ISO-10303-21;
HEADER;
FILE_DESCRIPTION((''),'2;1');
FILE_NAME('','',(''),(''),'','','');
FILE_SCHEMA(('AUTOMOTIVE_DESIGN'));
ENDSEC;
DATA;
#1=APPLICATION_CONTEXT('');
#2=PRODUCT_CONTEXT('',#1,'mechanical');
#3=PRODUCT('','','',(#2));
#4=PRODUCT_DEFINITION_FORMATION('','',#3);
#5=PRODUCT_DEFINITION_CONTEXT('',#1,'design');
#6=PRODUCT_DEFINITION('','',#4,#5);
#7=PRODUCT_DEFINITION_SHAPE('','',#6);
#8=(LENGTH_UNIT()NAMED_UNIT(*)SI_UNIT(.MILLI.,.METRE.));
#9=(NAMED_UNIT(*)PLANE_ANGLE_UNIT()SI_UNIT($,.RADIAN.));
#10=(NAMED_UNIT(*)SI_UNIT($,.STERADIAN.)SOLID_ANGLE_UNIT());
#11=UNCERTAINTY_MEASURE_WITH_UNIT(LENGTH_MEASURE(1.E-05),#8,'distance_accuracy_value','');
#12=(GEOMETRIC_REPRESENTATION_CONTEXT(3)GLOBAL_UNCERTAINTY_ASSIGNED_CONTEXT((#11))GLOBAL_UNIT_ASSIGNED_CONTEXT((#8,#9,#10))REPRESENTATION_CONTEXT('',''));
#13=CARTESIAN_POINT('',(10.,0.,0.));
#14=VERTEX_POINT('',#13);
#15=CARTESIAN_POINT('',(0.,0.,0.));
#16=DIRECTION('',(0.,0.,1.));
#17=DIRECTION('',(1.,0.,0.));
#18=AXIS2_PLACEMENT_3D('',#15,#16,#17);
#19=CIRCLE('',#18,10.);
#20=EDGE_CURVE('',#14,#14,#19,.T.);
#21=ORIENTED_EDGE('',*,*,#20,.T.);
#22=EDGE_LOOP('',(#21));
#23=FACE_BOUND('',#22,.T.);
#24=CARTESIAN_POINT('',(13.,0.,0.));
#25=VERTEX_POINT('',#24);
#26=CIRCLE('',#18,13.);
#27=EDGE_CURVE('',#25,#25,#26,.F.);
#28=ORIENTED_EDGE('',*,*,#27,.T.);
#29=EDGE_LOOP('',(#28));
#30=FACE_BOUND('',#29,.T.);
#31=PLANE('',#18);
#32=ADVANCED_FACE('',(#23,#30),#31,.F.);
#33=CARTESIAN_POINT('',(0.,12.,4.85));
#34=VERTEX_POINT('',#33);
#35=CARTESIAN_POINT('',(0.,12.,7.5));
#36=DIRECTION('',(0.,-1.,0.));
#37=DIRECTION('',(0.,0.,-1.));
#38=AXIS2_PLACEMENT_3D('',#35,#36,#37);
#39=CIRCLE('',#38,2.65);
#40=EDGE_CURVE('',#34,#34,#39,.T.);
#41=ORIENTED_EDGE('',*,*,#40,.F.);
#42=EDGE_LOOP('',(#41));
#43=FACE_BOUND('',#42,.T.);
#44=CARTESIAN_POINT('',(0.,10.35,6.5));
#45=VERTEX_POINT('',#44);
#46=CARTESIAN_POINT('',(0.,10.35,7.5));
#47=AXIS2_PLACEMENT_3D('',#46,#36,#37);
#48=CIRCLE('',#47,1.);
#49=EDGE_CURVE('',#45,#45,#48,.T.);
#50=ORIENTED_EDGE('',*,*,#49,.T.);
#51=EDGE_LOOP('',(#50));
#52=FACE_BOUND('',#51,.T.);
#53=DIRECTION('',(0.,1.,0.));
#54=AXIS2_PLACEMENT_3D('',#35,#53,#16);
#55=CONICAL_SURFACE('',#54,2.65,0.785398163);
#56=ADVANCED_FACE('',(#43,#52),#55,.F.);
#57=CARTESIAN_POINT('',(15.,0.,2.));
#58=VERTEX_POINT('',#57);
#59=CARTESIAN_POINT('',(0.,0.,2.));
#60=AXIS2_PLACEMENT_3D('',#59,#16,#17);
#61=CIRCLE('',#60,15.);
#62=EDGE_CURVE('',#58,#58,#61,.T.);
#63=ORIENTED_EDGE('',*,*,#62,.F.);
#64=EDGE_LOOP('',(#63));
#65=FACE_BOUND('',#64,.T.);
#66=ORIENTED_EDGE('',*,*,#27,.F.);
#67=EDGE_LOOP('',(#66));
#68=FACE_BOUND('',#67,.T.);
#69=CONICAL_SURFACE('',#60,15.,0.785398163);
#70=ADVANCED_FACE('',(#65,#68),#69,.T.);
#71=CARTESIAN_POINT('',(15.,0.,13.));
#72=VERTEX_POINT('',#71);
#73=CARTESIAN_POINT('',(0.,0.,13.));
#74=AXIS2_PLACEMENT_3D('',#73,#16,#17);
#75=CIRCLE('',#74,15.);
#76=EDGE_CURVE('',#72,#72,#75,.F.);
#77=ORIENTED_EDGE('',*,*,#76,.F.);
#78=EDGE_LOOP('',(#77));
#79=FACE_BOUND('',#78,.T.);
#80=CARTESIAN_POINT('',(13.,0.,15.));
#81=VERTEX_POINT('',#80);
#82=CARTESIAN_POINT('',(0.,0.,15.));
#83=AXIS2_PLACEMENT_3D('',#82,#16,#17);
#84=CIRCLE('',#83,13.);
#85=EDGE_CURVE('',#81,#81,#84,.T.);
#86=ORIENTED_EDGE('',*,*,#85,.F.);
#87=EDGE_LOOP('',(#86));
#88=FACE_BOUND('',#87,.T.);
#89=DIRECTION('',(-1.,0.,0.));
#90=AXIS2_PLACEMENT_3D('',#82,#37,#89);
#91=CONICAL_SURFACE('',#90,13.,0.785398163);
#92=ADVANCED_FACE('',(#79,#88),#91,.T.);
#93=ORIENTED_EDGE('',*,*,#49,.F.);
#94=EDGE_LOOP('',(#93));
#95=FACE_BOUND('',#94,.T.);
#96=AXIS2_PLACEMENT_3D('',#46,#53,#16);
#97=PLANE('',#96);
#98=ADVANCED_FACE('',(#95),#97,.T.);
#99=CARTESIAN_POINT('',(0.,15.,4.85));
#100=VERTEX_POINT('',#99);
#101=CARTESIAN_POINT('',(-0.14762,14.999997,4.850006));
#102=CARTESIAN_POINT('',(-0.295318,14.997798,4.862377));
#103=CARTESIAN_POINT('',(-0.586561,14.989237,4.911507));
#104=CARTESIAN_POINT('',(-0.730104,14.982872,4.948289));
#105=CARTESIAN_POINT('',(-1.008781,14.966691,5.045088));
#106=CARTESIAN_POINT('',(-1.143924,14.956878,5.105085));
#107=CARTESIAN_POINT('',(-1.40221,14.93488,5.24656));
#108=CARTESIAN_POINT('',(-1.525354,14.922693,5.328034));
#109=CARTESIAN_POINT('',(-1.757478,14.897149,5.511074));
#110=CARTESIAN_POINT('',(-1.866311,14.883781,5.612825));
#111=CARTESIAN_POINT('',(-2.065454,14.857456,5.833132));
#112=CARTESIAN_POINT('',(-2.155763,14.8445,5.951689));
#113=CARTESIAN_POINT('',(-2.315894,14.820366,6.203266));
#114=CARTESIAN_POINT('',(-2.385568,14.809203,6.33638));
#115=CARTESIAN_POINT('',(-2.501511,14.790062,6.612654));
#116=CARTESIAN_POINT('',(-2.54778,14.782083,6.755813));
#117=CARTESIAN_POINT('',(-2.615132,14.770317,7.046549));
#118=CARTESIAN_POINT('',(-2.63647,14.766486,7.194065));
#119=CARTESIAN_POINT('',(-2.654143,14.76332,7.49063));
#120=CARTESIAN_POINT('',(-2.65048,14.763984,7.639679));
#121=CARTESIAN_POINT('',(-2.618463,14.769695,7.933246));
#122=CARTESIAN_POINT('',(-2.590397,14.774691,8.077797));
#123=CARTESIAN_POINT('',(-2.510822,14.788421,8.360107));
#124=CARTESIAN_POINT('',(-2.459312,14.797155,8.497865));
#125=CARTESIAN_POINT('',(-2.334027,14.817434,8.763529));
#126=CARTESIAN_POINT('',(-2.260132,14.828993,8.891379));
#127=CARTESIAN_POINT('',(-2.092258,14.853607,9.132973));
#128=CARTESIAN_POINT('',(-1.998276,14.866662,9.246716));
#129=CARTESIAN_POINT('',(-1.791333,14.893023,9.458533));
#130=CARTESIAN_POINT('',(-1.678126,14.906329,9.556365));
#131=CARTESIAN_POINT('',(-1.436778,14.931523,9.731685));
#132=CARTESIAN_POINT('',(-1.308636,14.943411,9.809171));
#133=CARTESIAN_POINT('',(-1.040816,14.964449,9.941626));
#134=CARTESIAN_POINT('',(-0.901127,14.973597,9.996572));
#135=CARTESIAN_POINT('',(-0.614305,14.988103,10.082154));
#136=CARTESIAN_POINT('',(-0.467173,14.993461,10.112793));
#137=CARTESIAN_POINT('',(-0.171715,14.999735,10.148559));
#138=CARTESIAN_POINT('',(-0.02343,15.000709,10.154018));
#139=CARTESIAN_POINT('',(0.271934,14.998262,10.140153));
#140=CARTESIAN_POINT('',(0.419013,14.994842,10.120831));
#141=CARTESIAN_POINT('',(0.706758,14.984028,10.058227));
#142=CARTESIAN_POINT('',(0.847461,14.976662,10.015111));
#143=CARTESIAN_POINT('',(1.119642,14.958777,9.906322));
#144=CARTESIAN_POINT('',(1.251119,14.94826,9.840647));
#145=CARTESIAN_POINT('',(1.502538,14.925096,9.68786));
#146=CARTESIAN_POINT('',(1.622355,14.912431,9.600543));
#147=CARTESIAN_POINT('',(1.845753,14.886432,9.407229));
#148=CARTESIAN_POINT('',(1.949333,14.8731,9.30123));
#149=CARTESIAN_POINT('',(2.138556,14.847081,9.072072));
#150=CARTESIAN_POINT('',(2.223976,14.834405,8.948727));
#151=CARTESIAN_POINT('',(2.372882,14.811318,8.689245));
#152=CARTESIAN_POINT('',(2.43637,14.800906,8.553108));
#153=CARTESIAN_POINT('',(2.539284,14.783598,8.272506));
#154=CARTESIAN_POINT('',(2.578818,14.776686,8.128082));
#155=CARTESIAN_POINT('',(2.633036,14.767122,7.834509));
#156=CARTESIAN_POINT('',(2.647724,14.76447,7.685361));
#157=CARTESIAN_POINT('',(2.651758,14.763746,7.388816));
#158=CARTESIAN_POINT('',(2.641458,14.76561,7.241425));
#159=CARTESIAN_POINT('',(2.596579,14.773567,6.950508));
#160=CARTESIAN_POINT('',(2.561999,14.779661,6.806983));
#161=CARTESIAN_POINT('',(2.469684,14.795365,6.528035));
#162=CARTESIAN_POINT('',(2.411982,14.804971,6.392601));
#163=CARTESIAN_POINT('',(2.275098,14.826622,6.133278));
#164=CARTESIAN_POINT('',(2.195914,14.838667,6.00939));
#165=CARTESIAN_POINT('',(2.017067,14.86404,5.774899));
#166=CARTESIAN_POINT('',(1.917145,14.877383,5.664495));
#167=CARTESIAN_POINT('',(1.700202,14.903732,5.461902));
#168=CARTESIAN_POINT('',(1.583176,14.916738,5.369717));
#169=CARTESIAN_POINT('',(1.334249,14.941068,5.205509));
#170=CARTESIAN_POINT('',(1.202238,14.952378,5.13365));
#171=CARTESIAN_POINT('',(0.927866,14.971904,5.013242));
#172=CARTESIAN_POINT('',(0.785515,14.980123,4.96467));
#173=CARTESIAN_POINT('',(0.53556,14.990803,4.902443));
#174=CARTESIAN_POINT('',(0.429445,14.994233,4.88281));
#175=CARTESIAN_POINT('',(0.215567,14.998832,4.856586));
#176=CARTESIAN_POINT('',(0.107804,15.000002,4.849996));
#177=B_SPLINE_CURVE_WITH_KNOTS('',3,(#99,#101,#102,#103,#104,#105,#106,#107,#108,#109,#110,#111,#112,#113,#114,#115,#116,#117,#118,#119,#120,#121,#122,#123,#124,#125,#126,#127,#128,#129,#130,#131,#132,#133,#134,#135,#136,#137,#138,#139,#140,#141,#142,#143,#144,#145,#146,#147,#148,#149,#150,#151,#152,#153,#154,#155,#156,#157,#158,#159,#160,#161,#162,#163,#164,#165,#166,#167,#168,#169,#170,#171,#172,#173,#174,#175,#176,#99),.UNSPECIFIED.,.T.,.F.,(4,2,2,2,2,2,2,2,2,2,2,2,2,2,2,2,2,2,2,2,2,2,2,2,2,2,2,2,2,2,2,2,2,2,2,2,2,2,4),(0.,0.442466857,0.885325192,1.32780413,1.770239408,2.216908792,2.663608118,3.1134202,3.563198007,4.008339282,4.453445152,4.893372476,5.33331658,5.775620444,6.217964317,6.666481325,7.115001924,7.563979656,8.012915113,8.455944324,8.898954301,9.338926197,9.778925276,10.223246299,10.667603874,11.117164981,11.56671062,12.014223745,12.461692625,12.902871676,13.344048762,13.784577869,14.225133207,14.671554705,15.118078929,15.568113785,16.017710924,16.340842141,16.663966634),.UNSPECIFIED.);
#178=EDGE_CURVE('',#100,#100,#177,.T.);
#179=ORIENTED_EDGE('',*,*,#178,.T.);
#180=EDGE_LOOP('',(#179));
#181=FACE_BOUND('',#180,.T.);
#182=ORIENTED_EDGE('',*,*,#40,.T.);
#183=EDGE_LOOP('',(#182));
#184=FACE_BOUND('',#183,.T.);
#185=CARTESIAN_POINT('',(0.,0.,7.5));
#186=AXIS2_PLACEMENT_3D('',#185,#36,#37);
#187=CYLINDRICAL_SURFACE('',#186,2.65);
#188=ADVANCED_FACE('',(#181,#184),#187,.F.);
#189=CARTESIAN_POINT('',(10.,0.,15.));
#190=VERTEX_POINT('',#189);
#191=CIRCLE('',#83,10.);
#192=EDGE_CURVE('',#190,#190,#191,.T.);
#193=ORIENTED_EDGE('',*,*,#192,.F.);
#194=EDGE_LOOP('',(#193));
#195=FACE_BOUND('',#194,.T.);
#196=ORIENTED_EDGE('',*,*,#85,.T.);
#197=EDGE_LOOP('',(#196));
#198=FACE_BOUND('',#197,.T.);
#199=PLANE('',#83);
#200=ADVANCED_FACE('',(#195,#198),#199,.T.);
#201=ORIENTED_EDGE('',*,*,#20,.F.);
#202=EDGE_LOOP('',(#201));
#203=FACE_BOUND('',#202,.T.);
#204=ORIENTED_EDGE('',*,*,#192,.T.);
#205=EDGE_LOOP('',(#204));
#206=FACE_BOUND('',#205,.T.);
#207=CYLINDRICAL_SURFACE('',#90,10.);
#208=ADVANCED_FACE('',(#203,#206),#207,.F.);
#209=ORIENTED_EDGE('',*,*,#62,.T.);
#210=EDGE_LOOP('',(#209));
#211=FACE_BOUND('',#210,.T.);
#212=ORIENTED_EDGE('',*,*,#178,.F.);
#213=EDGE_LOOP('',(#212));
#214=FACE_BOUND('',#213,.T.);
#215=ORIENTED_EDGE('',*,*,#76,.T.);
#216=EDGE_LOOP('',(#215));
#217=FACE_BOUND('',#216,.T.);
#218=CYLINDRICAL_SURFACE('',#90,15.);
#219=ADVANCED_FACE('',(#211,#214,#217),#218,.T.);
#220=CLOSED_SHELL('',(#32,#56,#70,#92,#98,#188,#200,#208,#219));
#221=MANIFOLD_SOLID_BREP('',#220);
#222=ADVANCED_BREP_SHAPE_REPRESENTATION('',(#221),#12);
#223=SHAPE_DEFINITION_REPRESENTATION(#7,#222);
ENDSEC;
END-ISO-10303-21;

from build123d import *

# Parameters (mm, degrees)
SKETCH_1_R      = 15
SKETCH_1_R_2    = 10
EXTRUDE_1_DEPTH = 15
CHAMFER_1_SIZE  = 2


with BuildPart() as part:
    # Эскиз1 → Бобышка-Вытянуть1 (new body)
    with BuildSketch(Plane.XY):
        Circle(SKETCH_1_R)
        Circle(SKETCH_1_R_2, mode=Mode.SUBTRACT)
    extrude(amount=EXTRUDE_1_DEPTH)

    # Фаска1
    chamfer_1_edges = [part.edges().sort_by_distance(p)[0] for p in [
        (-15, 0, 0),
        (-15, 0, 15),
    ]]
    chamfer(chamfer_1_edges, length=CHAMFER_1_SIZE)

    # Эскиз2 → Вырез-Повернуть1 (revolve, cut)
    with BuildSketch(Plane(origin=(0, 0, 0), x_dir=(0, 0, -1), z_dir=(1, 0, 0)), mode=Mode.PRIVATE) as cut_revolve_1_sk:
        Polygon((-7.5, 15), (-10.15, 15), (-10.15, 12), (-8.5, 10.35), (-7.5, 10.35), align=None)
    revolve(cut_revolve_1_sk.sketch.rotate(Axis((0, 0, 7.5), (0, 1, 0)), 180), axis=Axis((0, 0, 7.5), (0, 1, 0)), mode=Mode.SUBTRACT)


solid = part.part
